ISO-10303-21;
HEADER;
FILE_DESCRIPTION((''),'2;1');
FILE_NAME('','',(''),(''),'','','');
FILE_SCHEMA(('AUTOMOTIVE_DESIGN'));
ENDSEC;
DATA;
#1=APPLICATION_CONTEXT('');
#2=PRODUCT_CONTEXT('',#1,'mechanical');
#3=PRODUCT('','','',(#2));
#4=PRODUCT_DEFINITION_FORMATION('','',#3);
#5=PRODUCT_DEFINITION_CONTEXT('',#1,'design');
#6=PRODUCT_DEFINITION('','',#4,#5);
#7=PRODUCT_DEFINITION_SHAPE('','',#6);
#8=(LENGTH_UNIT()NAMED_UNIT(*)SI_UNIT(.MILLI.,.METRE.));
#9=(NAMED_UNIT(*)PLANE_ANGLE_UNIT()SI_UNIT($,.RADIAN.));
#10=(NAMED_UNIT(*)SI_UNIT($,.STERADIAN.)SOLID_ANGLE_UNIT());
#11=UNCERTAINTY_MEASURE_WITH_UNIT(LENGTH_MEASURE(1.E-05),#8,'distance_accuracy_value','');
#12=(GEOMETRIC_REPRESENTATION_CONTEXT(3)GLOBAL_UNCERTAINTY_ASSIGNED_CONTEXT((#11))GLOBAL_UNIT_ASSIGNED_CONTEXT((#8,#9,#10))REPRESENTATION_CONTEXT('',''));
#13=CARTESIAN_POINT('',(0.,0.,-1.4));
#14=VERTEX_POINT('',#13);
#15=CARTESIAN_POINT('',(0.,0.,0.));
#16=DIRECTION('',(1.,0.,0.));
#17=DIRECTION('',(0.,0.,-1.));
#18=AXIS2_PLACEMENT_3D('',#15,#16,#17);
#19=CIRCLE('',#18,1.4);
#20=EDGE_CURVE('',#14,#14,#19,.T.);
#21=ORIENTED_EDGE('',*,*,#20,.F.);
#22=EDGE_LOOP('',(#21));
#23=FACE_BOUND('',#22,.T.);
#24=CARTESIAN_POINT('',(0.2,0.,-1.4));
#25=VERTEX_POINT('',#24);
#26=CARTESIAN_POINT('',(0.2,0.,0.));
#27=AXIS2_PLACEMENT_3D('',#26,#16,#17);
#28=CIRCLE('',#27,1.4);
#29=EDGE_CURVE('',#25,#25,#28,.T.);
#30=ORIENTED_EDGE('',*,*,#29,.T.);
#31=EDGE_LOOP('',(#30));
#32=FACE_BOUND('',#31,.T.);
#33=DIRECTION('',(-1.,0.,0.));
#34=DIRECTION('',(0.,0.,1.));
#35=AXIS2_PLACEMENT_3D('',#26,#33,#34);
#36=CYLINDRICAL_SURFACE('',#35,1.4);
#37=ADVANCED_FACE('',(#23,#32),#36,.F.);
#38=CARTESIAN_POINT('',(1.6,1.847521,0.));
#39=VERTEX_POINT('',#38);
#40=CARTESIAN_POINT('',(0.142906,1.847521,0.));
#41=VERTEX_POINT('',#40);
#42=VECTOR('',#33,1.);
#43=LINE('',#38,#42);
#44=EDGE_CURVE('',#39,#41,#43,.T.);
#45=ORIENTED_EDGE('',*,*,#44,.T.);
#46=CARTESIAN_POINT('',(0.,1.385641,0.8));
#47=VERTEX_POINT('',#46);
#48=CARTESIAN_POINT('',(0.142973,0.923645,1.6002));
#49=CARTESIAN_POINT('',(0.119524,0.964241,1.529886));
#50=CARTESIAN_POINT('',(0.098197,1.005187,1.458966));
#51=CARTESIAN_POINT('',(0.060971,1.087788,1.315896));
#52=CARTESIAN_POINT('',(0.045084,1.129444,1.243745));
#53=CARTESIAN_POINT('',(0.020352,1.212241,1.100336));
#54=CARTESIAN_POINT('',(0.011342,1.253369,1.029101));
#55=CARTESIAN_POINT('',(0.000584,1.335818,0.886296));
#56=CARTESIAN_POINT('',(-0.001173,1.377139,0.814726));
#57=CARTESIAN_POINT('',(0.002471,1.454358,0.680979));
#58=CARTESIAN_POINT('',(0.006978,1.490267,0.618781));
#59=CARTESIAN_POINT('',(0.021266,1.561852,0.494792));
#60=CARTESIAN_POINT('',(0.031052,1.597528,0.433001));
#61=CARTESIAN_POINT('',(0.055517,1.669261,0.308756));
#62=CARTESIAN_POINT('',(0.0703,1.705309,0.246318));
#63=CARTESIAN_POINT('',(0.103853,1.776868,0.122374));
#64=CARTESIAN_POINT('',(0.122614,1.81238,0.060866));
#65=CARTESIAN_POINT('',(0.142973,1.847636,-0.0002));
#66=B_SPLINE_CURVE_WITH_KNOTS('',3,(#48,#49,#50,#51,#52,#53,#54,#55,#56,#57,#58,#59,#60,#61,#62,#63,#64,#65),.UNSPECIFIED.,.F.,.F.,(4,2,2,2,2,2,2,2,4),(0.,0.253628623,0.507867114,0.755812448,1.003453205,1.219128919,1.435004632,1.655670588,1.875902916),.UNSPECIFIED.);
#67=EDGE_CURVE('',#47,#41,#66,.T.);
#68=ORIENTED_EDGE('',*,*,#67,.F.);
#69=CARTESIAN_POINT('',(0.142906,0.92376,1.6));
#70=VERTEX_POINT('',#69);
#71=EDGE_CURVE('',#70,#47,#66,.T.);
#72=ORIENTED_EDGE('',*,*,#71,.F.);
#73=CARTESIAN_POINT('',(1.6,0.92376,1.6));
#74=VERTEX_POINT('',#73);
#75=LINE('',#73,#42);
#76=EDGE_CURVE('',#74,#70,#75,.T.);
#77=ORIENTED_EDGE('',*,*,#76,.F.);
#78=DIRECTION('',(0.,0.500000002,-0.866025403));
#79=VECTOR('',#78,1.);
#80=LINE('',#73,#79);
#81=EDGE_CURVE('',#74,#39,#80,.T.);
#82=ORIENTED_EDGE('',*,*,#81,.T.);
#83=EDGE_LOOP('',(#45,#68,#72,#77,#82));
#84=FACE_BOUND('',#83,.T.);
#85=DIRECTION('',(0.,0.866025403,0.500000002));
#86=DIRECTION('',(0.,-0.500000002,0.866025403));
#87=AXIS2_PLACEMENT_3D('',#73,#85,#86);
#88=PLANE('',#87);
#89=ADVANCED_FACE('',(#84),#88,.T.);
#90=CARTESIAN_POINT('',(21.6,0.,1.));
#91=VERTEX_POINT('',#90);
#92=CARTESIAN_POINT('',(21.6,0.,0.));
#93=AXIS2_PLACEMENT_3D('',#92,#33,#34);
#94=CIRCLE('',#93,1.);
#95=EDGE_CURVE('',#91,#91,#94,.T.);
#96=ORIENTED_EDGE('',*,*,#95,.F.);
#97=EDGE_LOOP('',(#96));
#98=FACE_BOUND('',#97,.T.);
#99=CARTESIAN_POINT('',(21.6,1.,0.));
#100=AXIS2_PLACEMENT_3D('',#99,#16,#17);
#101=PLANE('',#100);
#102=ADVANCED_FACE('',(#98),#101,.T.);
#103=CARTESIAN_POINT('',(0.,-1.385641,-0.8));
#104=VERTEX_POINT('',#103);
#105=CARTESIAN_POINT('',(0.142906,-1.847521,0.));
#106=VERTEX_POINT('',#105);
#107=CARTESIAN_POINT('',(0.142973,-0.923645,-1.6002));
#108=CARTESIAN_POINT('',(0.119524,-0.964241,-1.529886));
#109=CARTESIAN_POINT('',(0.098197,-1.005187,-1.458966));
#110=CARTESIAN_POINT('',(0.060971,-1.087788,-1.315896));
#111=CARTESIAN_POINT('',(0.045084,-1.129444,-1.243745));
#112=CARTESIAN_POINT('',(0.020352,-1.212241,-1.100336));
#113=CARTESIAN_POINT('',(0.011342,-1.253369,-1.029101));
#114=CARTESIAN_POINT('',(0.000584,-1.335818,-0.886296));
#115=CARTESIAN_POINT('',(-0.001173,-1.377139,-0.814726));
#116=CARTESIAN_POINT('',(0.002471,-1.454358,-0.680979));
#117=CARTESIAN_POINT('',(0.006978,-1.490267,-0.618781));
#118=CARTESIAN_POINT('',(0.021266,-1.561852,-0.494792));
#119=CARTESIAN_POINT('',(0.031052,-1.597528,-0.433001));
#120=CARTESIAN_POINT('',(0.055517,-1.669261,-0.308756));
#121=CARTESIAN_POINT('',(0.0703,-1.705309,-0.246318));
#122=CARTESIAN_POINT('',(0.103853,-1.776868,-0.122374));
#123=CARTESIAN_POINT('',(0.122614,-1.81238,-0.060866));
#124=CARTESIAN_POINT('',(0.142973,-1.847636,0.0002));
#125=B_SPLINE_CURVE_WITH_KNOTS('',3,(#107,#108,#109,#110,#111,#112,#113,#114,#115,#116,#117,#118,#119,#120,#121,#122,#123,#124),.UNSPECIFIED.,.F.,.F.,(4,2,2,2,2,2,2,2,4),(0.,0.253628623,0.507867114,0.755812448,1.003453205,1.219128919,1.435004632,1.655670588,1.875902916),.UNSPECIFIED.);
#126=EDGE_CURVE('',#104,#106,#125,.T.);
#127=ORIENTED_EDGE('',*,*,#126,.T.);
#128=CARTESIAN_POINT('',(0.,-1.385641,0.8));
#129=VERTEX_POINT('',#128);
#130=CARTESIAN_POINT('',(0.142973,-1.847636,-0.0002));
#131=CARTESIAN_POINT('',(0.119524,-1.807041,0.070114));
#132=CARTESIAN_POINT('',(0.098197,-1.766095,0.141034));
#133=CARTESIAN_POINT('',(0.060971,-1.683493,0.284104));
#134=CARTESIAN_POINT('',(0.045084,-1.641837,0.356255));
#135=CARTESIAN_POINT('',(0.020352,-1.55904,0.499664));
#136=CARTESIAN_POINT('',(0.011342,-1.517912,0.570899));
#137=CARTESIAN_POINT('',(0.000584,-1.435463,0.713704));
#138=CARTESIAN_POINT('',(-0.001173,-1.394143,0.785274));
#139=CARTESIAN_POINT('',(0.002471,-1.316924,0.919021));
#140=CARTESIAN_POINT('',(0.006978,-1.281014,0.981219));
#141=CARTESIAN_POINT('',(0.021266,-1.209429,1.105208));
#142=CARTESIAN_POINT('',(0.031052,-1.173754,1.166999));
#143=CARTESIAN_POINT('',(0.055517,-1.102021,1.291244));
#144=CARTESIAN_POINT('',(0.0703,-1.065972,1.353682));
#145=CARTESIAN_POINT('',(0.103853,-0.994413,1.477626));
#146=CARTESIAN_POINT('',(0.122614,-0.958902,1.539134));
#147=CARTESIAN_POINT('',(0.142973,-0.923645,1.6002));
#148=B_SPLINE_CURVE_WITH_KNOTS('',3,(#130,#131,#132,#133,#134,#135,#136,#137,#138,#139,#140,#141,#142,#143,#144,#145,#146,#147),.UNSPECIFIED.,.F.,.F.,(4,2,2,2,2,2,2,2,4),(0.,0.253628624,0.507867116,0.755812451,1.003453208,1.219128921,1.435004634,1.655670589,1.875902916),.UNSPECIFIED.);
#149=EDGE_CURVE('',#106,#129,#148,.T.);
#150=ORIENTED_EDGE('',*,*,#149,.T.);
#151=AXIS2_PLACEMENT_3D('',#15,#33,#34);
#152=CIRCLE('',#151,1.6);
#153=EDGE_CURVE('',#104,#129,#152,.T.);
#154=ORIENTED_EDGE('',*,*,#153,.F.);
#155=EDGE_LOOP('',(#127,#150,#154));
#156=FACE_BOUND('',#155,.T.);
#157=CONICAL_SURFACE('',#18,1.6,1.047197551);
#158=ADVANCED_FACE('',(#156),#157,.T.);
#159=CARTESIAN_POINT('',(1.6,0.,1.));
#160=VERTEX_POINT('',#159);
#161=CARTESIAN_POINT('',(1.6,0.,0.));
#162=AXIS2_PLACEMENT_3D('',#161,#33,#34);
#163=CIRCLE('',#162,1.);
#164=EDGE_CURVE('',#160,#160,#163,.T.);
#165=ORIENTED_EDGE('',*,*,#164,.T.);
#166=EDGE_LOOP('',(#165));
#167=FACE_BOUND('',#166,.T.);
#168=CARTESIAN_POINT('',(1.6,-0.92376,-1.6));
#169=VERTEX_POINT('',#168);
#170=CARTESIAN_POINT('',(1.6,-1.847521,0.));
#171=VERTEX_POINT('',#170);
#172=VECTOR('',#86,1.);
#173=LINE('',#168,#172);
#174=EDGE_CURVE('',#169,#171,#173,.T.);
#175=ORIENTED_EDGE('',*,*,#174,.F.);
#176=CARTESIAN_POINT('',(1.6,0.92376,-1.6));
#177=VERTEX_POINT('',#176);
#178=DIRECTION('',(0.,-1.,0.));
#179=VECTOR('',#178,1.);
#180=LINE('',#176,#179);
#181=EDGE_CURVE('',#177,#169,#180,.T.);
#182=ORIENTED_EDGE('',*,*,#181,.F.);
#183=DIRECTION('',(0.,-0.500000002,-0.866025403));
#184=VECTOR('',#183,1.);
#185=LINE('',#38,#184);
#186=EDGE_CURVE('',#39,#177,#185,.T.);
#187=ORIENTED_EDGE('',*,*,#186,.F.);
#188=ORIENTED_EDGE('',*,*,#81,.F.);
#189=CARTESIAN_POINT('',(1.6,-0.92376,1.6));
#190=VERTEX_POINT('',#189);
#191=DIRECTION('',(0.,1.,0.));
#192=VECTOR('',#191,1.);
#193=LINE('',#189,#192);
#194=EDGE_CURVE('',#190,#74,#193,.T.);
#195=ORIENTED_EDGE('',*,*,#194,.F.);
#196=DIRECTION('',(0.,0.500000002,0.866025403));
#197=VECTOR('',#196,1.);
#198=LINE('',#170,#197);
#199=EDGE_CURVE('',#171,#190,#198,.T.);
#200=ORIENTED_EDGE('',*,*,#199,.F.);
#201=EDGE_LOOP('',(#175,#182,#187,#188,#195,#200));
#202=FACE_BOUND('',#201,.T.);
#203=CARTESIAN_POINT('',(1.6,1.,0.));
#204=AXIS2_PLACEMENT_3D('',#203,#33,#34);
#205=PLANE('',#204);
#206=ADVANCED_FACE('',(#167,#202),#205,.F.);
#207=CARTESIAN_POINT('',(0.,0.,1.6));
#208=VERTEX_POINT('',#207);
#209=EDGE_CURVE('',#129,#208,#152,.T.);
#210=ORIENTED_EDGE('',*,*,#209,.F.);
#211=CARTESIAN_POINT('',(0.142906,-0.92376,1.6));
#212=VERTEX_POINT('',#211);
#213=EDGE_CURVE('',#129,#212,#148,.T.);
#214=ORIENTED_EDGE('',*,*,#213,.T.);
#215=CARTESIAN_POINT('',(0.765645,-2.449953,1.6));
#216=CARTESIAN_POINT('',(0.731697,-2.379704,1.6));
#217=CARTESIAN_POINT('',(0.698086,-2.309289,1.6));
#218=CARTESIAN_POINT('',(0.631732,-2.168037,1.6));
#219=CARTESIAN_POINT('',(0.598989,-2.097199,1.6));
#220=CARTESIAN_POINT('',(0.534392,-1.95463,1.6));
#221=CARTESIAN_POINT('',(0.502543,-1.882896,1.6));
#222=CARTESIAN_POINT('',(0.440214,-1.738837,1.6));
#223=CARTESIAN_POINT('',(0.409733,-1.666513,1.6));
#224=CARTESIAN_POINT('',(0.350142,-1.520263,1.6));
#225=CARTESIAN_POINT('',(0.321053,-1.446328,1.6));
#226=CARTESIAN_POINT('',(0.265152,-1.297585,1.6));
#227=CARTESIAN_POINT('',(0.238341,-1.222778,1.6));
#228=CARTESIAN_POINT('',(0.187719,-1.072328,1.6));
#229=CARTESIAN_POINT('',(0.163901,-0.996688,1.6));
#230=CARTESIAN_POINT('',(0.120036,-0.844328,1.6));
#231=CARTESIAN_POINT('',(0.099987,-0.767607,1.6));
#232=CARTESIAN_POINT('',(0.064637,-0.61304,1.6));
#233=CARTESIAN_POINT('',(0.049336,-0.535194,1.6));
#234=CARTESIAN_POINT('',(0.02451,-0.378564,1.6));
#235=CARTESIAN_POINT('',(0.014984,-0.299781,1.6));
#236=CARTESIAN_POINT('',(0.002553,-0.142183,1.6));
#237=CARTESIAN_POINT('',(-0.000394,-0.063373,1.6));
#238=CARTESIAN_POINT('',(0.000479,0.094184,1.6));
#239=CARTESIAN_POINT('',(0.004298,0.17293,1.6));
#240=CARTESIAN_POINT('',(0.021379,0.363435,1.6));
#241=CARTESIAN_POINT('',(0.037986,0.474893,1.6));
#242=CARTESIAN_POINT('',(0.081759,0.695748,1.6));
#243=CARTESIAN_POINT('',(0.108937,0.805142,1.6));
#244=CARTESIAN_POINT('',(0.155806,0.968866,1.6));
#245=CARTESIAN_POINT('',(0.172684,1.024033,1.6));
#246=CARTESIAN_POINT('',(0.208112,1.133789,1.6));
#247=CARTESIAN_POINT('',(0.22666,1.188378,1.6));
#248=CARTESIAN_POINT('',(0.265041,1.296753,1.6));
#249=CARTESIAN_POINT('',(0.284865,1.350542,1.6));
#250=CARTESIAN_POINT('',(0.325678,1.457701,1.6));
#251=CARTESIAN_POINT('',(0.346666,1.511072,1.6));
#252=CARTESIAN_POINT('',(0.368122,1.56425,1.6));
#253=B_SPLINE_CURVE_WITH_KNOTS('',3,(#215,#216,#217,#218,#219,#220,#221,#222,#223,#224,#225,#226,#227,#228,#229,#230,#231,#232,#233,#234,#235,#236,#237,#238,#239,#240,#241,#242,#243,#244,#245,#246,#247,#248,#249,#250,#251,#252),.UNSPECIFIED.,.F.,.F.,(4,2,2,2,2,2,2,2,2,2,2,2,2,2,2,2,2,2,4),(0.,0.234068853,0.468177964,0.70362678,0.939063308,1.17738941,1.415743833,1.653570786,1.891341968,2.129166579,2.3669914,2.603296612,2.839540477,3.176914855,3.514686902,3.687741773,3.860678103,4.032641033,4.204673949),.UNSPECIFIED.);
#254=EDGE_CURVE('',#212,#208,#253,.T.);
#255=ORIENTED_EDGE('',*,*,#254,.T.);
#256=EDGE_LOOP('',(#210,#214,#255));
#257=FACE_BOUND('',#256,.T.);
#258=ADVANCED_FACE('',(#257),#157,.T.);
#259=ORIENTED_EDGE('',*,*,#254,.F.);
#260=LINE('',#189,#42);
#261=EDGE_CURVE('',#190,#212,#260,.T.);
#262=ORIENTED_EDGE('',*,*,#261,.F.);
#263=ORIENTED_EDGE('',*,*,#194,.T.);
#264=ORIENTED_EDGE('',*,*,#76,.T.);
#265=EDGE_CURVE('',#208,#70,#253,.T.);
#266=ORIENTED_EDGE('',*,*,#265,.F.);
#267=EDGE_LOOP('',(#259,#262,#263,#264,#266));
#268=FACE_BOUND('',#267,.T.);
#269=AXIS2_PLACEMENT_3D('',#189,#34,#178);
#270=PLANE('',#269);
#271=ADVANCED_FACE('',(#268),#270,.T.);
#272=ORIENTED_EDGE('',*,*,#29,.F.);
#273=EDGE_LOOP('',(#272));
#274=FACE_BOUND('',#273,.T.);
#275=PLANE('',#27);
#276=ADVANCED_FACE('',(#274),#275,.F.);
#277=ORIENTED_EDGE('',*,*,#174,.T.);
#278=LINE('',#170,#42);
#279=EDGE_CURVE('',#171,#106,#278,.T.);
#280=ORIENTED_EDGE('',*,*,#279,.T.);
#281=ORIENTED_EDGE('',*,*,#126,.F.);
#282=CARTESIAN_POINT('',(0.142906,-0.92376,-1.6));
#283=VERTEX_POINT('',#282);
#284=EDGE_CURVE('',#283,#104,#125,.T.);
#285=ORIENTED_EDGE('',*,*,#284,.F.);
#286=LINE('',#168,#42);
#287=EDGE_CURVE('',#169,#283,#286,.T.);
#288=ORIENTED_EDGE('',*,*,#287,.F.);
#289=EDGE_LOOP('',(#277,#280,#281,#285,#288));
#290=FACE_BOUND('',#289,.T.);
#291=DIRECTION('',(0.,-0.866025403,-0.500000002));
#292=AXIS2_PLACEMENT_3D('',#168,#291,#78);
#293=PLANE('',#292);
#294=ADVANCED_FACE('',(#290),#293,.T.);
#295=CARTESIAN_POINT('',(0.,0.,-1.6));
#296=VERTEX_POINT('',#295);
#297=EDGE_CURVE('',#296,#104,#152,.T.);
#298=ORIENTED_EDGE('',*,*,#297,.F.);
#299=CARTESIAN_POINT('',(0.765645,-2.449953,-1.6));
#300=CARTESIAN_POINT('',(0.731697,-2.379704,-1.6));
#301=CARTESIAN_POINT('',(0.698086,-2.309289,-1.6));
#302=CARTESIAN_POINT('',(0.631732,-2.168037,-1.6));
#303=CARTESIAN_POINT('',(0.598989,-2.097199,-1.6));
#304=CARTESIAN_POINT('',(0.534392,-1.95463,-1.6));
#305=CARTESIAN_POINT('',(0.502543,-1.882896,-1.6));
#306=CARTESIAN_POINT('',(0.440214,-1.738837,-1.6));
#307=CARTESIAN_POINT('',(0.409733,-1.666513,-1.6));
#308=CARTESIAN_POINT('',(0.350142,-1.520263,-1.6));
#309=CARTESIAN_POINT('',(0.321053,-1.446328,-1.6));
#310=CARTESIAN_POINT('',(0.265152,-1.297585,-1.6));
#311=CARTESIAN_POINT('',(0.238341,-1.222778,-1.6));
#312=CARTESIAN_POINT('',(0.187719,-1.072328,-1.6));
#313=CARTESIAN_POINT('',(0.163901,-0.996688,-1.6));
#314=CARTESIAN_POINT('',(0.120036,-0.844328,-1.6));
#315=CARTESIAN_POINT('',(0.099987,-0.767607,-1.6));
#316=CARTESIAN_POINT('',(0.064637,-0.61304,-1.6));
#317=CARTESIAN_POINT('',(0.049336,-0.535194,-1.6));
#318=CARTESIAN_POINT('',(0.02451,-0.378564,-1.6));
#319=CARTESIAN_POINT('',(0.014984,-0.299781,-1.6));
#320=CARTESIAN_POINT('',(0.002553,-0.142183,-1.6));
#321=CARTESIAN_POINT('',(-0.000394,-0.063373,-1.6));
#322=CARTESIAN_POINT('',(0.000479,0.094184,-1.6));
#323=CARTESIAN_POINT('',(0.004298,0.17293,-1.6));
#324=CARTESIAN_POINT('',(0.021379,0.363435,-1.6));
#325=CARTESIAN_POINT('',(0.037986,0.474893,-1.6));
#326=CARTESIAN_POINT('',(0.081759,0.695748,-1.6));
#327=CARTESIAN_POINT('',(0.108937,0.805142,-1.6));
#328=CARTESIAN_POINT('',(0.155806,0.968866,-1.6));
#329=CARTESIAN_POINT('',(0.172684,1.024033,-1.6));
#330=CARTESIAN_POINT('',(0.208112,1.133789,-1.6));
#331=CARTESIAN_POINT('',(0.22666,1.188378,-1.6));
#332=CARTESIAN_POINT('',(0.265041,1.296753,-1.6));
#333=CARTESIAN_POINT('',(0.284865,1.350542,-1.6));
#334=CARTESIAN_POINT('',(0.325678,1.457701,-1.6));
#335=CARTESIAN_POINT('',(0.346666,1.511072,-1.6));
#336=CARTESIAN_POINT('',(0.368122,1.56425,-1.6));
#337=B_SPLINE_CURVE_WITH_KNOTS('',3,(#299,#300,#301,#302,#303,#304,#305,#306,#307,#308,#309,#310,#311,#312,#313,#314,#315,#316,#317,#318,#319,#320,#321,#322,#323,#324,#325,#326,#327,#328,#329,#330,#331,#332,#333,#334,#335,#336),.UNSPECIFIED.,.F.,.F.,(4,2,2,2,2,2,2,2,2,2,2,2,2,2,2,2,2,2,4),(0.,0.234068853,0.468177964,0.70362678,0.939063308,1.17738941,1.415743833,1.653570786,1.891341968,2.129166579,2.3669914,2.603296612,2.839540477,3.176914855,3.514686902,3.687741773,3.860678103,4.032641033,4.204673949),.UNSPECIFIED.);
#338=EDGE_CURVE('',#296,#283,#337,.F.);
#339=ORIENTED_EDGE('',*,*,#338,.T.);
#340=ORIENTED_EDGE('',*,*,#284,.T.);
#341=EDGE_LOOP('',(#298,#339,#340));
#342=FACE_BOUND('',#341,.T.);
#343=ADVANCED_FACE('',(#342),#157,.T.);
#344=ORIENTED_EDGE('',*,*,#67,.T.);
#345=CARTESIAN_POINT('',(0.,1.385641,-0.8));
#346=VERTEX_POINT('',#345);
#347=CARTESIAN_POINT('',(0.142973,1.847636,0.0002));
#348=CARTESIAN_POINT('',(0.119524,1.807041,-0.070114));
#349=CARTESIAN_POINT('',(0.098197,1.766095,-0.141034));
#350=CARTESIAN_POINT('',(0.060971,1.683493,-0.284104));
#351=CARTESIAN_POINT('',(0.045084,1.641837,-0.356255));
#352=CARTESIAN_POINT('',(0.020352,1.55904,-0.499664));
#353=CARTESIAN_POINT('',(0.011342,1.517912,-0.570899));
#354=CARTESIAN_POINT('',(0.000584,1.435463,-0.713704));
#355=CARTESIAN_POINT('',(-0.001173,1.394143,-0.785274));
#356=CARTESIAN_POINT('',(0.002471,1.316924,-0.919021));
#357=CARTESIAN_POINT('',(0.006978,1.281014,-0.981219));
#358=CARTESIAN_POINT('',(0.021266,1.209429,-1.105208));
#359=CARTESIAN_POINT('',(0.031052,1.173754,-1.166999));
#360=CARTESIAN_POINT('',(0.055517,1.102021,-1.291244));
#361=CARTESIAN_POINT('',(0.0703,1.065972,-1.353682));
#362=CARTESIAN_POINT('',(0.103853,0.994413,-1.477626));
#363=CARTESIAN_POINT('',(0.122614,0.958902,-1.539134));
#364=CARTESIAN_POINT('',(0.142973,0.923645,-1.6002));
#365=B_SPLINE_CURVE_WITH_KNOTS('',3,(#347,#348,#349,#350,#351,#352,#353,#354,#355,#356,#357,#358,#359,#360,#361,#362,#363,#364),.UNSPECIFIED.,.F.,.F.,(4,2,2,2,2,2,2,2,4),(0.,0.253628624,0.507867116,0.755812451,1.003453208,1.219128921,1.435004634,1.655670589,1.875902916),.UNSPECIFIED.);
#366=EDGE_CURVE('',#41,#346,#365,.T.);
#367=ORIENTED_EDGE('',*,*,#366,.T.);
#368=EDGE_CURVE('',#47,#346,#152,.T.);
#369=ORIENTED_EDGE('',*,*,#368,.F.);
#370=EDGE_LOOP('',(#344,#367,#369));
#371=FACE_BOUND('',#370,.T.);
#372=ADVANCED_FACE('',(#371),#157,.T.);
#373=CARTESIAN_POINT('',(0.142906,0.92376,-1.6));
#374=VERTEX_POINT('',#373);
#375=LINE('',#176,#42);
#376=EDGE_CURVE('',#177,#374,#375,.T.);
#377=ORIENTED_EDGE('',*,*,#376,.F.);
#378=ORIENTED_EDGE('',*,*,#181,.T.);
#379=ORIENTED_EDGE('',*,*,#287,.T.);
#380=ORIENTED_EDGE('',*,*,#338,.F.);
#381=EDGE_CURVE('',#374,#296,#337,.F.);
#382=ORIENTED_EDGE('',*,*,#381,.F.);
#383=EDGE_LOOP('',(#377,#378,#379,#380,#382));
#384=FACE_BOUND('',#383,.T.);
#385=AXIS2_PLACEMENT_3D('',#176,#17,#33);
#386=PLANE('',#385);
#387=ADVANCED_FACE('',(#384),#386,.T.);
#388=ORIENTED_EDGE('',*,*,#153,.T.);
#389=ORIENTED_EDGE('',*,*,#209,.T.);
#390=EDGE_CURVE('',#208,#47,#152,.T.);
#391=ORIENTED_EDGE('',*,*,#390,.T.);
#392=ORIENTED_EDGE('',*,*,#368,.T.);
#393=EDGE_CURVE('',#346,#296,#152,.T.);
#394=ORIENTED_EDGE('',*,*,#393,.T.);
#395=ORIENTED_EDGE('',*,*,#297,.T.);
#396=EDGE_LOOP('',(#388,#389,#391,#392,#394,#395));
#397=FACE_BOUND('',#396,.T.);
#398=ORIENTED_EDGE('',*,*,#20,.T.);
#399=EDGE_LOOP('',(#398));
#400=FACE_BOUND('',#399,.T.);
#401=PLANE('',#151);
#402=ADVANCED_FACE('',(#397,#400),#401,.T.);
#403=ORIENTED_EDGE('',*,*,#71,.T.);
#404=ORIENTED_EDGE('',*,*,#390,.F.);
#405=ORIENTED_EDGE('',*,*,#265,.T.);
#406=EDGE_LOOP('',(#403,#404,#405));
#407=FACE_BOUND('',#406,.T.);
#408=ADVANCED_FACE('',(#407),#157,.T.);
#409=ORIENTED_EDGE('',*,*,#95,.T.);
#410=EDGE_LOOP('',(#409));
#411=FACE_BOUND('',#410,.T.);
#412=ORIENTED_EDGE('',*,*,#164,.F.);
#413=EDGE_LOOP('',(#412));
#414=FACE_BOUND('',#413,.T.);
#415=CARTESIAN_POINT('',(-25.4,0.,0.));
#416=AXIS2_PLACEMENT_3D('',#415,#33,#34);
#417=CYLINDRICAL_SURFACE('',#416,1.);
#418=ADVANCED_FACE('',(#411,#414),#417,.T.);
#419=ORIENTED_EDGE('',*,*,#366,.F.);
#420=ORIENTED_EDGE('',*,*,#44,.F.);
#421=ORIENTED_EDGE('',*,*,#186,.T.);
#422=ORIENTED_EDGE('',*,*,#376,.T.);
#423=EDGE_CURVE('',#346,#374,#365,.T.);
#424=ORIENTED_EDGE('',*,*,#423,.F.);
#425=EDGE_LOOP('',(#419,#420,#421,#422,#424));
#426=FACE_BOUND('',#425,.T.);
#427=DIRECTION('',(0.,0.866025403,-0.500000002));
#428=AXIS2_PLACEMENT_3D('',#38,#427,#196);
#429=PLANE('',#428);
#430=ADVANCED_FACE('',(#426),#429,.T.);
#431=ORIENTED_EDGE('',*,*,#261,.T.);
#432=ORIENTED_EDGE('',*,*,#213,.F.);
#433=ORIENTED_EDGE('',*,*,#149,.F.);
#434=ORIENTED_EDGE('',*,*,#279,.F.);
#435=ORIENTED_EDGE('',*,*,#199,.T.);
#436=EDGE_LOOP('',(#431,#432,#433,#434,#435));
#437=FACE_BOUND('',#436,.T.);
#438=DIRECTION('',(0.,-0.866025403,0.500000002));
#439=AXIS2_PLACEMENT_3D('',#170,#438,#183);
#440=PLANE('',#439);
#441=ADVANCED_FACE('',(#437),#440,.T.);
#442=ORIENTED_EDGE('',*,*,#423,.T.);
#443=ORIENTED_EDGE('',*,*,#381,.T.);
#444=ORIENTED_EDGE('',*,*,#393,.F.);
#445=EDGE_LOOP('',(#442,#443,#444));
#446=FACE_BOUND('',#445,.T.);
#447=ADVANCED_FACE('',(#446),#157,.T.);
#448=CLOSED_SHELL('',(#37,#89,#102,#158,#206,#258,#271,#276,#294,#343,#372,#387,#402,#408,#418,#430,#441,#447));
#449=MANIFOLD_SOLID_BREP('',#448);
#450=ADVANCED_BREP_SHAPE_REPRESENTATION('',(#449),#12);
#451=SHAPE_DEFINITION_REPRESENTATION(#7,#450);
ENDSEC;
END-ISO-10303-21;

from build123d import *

# Parameters (mm, degrees)
HEX_DIE_START = 1e-06
SKETCH2_R     = 1.866050808
HEX_DIE_DEPTH = 1.599999
SKETCH4_R     = 1.4
INDENT_DEPTH  = 0.2


with BuildPart() as part:
    # BodySke → Base-Revolve (revolve)
    with BuildSketch(Plane.XY):
        Polygon((1.6, 1), (1.6, 1.847575058), (0.142937526, 1.847575058), (0, 1.6), (0, 0), (21.6, 0), (21.6, 1), align=None)
    revolve(axis=Axis((-25.4, 0, 0), (1, 0, 0)))

    # Sketch2 → Hex-Die (cut)
    with BuildSketch(Plane(origin=(0, 0, 0), x_dir=(0, 0, -1), z_dir=(1, 0, 0)).offset(HEX_DIE_START)):
        Circle(SKETCH2_R)
        Polygon((-1.6, 0.923760435), (0, 1.847520869), (1.6, 0.923760435), (1.6, -0.923760435), (0, -1.847520869), (-1.6, -0.923760435), align=None, mode=Mode.SUBTRACT)
    extrude(amount=HEX_DIE_DEPTH, mode=Mode.SUBTRACT)

    # Sketch4 → Indent (cut)
    with BuildSketch(Plane(origin=(0, 0, 0), x_dir=(0, 0, -1), z_dir=(1, 0, 0))):
        Circle(SKETCH4_R)
    extrude(amount=INDENT_DEPTH, mode=Mode.SUBTRACT)


solid = part.part
